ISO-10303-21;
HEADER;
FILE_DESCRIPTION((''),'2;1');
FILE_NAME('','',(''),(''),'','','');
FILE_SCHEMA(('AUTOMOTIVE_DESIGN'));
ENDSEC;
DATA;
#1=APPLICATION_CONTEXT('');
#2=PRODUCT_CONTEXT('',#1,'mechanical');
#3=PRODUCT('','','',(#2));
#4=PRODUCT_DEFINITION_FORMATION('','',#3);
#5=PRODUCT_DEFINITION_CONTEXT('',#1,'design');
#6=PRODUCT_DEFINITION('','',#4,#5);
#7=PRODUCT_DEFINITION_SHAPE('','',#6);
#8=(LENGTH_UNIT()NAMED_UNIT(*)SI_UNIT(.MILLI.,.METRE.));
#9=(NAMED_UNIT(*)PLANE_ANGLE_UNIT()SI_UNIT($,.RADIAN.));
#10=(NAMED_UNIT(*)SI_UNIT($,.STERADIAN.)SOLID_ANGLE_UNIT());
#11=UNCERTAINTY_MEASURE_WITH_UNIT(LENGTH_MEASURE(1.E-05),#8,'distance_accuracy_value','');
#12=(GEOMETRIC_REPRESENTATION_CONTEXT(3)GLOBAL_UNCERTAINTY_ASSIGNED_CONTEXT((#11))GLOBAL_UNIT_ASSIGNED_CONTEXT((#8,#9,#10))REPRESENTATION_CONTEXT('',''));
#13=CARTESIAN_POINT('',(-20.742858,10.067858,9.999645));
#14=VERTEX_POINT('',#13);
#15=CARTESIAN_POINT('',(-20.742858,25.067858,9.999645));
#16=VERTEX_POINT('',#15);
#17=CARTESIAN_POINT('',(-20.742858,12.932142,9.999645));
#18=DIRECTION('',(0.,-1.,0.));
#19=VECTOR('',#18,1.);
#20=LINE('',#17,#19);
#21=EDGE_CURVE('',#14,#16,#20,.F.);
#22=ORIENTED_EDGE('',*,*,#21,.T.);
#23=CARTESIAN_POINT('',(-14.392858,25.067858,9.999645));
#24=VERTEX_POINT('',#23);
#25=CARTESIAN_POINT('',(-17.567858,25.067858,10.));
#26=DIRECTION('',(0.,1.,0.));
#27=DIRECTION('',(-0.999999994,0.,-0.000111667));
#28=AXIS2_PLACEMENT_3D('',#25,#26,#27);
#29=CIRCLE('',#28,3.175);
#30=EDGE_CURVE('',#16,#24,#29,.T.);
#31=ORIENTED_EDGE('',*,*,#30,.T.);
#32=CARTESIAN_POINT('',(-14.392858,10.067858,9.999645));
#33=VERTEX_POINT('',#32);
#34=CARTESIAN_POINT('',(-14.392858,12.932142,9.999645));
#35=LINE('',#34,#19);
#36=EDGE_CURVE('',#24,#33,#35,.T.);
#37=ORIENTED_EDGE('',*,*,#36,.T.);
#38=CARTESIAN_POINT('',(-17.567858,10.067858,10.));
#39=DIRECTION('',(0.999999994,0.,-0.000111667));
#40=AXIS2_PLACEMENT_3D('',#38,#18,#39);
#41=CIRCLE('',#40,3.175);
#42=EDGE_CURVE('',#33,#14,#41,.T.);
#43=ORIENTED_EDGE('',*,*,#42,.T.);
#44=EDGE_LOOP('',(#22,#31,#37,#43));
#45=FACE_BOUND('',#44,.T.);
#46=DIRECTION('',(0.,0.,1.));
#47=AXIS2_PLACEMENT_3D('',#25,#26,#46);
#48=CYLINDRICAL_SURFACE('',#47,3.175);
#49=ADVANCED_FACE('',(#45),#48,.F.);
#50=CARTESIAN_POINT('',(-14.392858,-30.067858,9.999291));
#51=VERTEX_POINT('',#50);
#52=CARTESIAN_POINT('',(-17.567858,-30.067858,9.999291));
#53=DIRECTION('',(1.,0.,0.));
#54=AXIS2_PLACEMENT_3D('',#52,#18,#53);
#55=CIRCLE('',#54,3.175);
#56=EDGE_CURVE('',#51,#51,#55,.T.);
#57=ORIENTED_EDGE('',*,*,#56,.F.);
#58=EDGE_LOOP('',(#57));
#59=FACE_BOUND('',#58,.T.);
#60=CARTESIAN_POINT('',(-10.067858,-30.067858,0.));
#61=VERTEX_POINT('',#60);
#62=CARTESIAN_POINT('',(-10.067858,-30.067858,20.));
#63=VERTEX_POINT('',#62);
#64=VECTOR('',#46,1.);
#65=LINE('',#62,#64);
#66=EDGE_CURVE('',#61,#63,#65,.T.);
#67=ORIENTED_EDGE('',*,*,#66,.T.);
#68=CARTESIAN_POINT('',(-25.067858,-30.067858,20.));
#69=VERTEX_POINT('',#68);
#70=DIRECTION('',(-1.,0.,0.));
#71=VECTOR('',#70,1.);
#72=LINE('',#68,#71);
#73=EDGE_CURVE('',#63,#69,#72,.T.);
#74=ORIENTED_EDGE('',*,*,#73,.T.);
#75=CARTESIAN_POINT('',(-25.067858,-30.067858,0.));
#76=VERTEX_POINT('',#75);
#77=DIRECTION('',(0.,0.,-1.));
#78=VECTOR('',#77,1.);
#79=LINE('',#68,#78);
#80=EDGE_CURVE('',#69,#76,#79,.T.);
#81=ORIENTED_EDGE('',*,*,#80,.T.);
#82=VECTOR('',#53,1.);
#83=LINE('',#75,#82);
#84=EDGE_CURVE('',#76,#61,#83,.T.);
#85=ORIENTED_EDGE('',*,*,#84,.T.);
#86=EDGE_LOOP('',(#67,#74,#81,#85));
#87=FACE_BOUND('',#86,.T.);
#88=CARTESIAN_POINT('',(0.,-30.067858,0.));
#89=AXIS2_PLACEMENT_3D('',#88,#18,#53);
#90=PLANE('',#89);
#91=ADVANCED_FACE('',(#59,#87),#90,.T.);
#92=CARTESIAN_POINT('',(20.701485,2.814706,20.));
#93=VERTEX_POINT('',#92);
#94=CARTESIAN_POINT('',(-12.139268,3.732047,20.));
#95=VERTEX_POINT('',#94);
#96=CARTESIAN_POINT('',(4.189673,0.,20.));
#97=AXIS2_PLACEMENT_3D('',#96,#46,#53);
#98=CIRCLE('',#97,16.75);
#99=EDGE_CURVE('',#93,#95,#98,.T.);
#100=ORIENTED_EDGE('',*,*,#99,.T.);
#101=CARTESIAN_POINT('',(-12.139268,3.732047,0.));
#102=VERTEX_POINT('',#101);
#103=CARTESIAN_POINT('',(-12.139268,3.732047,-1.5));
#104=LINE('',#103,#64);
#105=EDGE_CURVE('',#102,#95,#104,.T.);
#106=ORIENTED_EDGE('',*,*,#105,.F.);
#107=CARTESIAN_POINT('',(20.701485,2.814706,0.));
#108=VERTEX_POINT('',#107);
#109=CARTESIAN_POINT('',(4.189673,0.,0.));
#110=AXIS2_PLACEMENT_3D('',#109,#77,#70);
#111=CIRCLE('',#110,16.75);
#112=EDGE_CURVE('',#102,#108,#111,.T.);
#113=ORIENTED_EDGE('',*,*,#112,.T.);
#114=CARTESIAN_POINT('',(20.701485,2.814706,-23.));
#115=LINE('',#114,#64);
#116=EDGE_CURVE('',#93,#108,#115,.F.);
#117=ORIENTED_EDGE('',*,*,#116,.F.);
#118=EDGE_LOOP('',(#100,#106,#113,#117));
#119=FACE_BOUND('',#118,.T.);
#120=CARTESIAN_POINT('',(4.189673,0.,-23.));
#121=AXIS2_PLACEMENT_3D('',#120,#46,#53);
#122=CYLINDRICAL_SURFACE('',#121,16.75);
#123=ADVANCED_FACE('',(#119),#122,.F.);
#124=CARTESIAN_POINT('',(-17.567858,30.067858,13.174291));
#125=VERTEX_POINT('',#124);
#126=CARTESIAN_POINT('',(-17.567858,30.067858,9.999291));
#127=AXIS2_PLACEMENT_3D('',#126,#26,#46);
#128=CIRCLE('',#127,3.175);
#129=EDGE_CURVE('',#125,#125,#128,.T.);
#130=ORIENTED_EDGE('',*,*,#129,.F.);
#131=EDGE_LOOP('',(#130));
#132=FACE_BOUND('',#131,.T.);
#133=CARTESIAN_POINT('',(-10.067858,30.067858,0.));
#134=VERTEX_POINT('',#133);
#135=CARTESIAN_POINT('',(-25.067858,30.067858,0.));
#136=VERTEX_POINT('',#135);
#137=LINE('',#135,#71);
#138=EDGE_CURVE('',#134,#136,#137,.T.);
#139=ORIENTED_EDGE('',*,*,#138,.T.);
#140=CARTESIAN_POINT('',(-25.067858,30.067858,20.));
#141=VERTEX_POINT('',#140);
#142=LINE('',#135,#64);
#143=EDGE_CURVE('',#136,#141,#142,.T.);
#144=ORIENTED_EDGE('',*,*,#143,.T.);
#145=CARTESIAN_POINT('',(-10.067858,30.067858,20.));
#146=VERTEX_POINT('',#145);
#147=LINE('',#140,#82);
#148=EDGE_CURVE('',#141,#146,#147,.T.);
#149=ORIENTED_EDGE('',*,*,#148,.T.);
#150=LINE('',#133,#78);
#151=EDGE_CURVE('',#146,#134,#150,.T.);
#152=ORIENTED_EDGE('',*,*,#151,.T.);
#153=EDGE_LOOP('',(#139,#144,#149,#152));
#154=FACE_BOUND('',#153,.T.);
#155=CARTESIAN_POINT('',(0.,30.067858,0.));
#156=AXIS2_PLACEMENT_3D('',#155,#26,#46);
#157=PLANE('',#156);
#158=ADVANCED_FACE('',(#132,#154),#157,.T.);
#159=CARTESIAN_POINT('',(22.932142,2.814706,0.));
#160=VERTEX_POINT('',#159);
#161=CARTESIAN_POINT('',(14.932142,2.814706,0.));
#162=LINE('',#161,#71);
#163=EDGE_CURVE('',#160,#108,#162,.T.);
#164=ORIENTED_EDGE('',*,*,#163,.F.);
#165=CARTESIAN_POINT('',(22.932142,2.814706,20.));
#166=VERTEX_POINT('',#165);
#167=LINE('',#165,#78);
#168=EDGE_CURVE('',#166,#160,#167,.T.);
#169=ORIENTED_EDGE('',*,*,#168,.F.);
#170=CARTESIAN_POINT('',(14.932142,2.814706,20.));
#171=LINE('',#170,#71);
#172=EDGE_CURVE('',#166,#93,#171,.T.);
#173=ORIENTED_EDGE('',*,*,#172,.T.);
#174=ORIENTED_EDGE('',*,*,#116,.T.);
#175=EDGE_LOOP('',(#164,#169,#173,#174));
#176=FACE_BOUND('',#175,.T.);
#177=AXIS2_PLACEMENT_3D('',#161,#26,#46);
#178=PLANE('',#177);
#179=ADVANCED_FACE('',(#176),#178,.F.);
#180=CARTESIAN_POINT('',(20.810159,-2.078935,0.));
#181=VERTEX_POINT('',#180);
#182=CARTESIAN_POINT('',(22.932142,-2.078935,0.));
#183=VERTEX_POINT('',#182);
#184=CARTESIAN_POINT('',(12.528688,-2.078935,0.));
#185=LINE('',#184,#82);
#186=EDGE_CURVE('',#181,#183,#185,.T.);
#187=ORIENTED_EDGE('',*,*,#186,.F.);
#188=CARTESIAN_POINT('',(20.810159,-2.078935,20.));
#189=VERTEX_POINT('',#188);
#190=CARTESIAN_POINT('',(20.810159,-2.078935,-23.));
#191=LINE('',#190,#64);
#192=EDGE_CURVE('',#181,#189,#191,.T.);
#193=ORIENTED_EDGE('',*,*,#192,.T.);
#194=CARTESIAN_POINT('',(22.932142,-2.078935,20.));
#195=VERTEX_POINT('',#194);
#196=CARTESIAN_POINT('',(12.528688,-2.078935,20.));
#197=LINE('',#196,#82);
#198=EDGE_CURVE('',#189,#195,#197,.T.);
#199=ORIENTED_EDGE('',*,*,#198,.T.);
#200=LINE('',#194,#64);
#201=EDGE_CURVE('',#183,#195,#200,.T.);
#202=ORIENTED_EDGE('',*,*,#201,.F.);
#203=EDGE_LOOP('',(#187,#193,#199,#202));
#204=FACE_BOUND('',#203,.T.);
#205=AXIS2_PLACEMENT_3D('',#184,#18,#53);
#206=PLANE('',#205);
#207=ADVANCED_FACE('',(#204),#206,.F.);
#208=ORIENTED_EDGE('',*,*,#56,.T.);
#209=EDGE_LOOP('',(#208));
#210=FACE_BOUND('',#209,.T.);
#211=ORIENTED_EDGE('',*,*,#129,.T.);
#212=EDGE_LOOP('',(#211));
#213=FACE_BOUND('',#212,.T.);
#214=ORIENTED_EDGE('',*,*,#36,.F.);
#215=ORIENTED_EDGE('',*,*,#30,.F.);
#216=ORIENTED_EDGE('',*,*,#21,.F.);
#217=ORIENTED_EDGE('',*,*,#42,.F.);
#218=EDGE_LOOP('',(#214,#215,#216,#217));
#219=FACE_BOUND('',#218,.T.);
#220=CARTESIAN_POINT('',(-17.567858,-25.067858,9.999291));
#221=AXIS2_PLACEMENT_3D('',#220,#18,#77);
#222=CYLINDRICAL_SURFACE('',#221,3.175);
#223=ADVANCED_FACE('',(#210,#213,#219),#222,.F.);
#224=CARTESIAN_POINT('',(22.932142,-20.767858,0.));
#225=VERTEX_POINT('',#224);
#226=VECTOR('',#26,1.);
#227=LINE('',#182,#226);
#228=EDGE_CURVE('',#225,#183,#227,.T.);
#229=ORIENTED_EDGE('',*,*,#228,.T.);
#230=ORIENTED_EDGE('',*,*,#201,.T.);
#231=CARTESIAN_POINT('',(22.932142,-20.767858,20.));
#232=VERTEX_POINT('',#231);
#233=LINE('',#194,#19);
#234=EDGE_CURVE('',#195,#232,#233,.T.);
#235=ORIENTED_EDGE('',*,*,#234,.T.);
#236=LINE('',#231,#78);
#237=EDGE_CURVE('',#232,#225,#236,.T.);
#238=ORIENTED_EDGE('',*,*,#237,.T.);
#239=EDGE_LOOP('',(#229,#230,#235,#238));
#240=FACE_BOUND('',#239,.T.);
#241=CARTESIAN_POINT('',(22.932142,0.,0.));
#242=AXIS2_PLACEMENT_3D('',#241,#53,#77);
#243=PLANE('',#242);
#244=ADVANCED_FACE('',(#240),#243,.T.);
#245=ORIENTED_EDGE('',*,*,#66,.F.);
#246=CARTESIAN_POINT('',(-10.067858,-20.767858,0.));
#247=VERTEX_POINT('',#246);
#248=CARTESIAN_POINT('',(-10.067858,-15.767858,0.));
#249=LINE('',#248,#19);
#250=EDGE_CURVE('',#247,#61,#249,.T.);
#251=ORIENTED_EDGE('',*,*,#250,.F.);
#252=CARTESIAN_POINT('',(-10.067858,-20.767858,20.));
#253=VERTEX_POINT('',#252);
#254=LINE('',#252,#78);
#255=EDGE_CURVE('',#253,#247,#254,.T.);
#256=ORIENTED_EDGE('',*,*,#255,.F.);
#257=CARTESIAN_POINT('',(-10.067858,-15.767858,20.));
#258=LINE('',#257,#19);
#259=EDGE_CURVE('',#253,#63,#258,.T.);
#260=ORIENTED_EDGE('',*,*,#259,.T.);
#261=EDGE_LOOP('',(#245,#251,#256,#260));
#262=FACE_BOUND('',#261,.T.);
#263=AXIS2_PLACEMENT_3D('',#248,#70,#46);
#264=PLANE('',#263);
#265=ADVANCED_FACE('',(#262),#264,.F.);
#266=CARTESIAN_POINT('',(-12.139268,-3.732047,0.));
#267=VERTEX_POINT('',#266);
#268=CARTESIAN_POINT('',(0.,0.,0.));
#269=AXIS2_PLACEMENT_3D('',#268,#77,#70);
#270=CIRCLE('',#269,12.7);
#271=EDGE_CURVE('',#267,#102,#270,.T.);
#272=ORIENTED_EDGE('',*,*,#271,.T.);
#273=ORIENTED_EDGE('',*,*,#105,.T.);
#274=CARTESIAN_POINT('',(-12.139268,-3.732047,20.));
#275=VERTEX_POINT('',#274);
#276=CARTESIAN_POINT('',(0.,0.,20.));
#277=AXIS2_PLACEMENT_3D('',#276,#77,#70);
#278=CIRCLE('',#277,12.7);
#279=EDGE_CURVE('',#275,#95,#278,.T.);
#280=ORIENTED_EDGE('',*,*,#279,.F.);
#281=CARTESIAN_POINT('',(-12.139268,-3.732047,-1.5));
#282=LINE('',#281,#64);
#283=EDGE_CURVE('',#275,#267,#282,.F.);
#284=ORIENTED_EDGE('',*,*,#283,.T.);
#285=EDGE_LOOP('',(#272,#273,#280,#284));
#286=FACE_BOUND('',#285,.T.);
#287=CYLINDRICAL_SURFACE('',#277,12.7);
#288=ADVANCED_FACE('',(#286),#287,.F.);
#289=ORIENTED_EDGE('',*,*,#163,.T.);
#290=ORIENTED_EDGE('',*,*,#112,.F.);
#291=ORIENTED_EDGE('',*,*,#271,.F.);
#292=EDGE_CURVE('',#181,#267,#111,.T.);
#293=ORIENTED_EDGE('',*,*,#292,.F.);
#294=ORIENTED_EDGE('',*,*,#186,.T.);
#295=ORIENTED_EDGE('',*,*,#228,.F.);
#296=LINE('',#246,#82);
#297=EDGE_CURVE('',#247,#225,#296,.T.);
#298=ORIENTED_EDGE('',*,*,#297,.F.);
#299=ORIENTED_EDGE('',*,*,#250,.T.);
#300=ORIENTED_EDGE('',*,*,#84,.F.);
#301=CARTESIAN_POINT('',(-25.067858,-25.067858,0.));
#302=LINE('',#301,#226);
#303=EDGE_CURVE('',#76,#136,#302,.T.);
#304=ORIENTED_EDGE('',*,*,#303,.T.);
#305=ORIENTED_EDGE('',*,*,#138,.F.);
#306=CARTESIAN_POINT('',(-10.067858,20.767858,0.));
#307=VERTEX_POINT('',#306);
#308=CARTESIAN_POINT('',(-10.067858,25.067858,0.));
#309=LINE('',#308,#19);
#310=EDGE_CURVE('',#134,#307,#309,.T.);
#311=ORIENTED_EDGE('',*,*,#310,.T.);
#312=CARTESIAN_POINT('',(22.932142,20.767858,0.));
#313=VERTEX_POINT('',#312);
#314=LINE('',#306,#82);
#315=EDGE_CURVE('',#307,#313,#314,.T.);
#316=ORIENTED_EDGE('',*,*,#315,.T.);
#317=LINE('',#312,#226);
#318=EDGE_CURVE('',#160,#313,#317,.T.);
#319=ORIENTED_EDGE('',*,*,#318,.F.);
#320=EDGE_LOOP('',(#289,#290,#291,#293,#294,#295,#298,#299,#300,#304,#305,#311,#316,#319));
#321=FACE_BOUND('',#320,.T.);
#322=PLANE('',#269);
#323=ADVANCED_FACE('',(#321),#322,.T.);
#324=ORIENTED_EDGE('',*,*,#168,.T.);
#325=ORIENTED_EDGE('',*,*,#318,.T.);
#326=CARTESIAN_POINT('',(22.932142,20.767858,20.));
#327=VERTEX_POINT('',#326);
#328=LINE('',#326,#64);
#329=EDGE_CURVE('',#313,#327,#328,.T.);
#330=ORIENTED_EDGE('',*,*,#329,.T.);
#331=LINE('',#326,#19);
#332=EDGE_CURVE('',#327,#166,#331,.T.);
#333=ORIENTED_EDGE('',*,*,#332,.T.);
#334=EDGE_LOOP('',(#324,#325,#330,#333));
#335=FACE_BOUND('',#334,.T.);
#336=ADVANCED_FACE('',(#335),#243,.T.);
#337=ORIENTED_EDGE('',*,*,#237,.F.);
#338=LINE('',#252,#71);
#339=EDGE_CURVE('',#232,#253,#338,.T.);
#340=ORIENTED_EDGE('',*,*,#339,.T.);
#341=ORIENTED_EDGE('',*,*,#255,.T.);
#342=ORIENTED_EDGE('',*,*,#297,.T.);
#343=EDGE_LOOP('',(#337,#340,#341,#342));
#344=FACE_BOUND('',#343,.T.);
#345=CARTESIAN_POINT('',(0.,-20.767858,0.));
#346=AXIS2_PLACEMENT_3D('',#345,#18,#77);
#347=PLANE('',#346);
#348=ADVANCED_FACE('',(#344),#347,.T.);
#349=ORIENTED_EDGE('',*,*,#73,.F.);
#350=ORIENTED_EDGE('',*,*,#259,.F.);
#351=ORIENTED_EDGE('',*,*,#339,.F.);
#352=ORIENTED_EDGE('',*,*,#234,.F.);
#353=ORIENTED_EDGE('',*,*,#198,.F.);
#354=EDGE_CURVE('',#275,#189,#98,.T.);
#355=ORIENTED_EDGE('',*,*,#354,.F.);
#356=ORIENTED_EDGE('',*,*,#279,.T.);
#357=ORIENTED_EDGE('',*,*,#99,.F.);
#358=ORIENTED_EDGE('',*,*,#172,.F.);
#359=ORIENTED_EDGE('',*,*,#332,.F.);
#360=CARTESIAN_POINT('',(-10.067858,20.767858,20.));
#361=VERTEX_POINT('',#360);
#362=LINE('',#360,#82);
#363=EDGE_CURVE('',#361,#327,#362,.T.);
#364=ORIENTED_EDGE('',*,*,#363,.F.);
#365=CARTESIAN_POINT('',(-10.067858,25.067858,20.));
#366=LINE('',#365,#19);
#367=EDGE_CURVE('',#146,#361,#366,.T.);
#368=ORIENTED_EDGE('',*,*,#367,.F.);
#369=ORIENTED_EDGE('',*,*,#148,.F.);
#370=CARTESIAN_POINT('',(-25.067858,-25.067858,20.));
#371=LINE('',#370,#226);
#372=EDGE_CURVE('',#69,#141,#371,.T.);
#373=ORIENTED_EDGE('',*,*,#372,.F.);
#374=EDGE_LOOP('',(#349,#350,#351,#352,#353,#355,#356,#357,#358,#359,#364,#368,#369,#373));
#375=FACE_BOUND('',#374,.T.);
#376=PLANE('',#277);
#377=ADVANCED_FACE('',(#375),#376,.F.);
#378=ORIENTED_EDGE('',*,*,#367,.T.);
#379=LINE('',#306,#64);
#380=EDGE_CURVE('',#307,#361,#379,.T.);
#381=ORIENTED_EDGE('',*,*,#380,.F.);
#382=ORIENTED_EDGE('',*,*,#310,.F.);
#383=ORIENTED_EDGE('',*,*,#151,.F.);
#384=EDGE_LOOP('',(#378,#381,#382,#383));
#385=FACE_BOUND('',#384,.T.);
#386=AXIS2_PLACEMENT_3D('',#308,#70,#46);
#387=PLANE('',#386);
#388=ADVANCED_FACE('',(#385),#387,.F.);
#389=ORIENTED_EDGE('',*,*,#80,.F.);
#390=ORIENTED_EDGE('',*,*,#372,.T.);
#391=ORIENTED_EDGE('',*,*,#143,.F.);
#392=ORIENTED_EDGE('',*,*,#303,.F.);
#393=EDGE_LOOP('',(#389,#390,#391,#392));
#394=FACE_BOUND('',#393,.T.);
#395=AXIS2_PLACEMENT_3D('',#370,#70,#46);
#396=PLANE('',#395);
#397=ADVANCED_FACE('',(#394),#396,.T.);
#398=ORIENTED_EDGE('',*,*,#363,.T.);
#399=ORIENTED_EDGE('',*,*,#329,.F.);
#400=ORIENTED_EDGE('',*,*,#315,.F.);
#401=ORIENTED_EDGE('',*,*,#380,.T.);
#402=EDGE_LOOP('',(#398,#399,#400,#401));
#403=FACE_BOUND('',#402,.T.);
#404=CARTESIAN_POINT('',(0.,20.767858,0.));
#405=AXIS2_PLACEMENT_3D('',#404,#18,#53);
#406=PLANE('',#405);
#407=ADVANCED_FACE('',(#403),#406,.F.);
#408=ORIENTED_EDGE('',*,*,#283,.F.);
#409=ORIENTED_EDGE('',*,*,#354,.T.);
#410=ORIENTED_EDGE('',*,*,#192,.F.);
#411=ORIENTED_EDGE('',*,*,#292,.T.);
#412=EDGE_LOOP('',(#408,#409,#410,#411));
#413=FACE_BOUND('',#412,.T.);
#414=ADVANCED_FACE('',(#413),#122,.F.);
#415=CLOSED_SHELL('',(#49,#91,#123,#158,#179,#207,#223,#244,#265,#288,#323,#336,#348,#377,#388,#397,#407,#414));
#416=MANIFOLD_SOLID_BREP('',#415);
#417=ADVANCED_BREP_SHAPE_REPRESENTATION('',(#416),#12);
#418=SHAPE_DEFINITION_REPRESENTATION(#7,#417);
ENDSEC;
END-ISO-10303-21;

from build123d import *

# Parameters (mm, degrees)
CROQUIS1_W              = 40
CROQUIS1_H              = 50.135716494
SALIENTE_EXTRUIR1_DEPTH = 20
CROQUIS2_W              = 25
CROQUIS2_H              = 9.3
CORTAR_EXTRUIR1_DEPTH   = 41.703747176
CROQUIS3_W              = 25
CROQUIS3_H              = 9.3
CORTAR_EXTRUIR2_DEPTH   = 41.703747176
CORTAR_EXTRUIR3_DEPTH   = 41.703747176
CROQUIS5_W              = 12.7
CROQUIS5_H              = 20
TALADRO1_D              = 6.35
TALADRO1_DEPTH          = 15
TALADRO2_D              = 6.35
TALADRO2_DEPTH          = 15
CROQUIS11_W             = 20
CROQUIS11_H             = 12.953152015
CROQUIS11_H_2           = 13.688922843
SALIENTE_EXTRUIR2_DEPTH = 5
CROQUIS12_W             = 15
CROQUIS12_H             = 20
SALIENTE_EXTRUIR3_DEPTH = 5
CORTAR_EXTRUIR4_START   = -76
CROQUIS13_R             = 3.175
CORTAR_EXTRUIR4_DEPTH   = 76
CROQUIS14_W             = 15
CROQUIS14_H             = 20
SALIENTE_EXTRUIR4_DEPTH = 5
CROQUIS15_R             = 3.175
CORTAR_EXTRUIR5_DEPTH   = 72
CROQUIS16_W             = 30
CROQUIS16_H             = 20
SALIENTE_EXTRUIR5_DEPTH = 5
CROQUIS17_W             = 30
CROQUIS17_H             = 20
SALIENTE_EXTRUIR6_DEPTH = 5
CROQUIS20_W             = 20
CROQUIS20_H             = 17.953152015
CROQUIS20_H_2           = 18.688922843
SALIENTE_EXTRUIR7_DEPTH = 3
CROQUIS21_R             = 16.75
CORTAR_EXTRUIR8_DEPTH   = 43


with BuildPart() as part:
    # Croquis1 → Saliente-Extruir1 (new body)
    with BuildSketch(Plane(origin=(0, 0, 0), x_dir=(-1, 0, 0), z_dir=(0, 0, -1))):
        with Locations((5.067858247, 0)):
            Rectangle(CROQUIS1_W, CROQUIS1_H)
    extrude(amount=-SALIENTE_EXTRUIR1_DEPTH)

    # Croquis2 → Cortar-Extruir1 (cut, through all)
    with BuildSketch(Plane.XY.offset(20)):
        with Locations((2.432141753, -20.417858247)):
            Rectangle(CROQUIS2_W, CROQUIS2_H)
    extrude(amount=-CORTAR_EXTRUIR1_DEPTH, mode=Mode.SUBTRACT)

    # Croquis3 → Cortar-Extruir2 (cut, through all)
    with BuildSketch(Plane.XY.offset(20)):
        with Locations((2.432141753, 20.417858247)):
            Rectangle(CROQUIS3_W, CROQUIS3_H)
    extrude(amount=-CORTAR_EXTRUIR2_DEPTH, mode=Mode.SUBTRACT)

    # Croquis4 → Cortar-Extruir3 (cut, through all)
    with BuildSketch(Plane.XY.offset(20)):
        with BuildLine():
            Line((14.932141753, 2.814706232), (12.384160401, 2.814706232))
            ThreePointArc((12.384160401, 2.814706232), (12.694464867, 0.374915654), (12.528688183, -2.078935404))
            Line((12.528688183, -2.078935404), (14.932141753, -2.078935404))
            Line((14.932141753, -2.078935404), (14.932141753, 2.814706232))
        make_face()
    extrude(amount=-CORTAR_EXTRUIR3_DEPTH, mode=Mode.SUBTRACT)

    # Croquis5 → Cortar-Revolución1 (revolve, cut)
    with BuildSketch(Plane.XZ):
        with Locations((6.35, 10)):
            Rectangle(CROQUIS5_W, CROQUIS5_H)
    revolve(axis=Axis((0, 0, 20), (0, 0, -1)), mode=Mode.SUBTRACT)

    # Taladro1
    with Locations(Plane(origin=(0, -25.067858247, 0), x_dir=(-1, 0, 0), z_dir=(0, -1, 0))):
        with Locations((17.567858247, -9.999290914)):
            Hole(TALADRO1_D / 2, depth=TALADRO1_DEPTH)

    # Taladro2
    with Locations(Plane(origin=(0, 25.067858247, 0), x_dir=(1, 0, 0), z_dir=(0, 1, 0))):
        with Locations((-17.567858247, -10)):
            Hole(TALADRO2_D / 2, depth=TALADRO2_DEPTH)

    # Croquis11 → Saliente-Extruir2 (add)
    with BuildSketch(Plane(origin=(14.932141753, 0, 0), x_dir=(0, 0, -1), z_dir=(1, 0, 0))):
        with Locations((-10, 9.29128224)):
            Rectangle(CROQUIS11_W, CROQUIS11_H)
        with Locations((-10, -8.923396826)):
            Rectangle(CROQUIS11_W, CROQUIS11_H_2)
    extrude(amount=SALIENTE_EXTRUIR2_DEPTH)

    # Croquis12 → Saliente-Extruir3 (add)
    with BuildSketch(Plane(origin=(0, 25.067858247, 0), x_dir=(1, 0, 0), z_dir=(0, 1, 0))):
        with Locations((-17.567858247, -10)):
            Rectangle(CROQUIS12_W, CROQUIS12_H)
    extrude(amount=SALIENTE_EXTRUIR3_DEPTH)

    # Croquis13 → Cortar-Extruir4 (cut)
    with BuildSketch(Plane.XZ.offset(25.067858247).offset(CORTAR_EXTRUIR4_START)):
        with Locations(Location((-17.567858247, 9.999290914, 0), (0, 0, 270))):
            Circle(CROQUIS13_R)
    extrude(amount=CORTAR_EXTRUIR4_DEPTH, mode=Mode.SUBTRACT)

    # Croquis14 → Saliente-Extruir4 (add)
    with BuildSketch(Plane.XZ.offset(25.067858247)):
        with Locations((-17.567858247, 10)):
            Rectangle(CROQUIS14_W, CROQUIS14_H)
    extrude(amount=SALIENTE_EXTRUIR4_DEPTH)

    # Croquis15 → Cortar-Extruir5 (cut)
    with BuildSketch(Plane(origin=(0, 30.067858247, 0), x_dir=(1, 0, 0), z_dir=(0, 1, 0))):
        with Locations((-17.567858247, -9.999290914)):
            Circle(CROQUIS15_R)
    extrude(amount=-CORTAR_EXTRUIR5_DEPTH, mode=Mode.SUBTRACT)

    # Croquis16 → Saliente-Extruir5 (add)
    with BuildSketch(Plane(origin=(0, 15.767858247, 0), x_dir=(1, 0, 0), z_dir=(0, 1, 0))):
        with Locations((4.932141753, -10)):
            Rectangle(CROQUIS16_W, CROQUIS16_H)
    extrude(amount=SALIENTE_EXTRUIR5_DEPTH)

    # Croquis17 → Saliente-Extruir6 (add)
    with BuildSketch(Plane.XZ.offset(15.767858247)):
        with Locations((4.932141753, 10)):
            Rectangle(CROQUIS17_W, CROQUIS17_H)
    extrude(amount=SALIENTE_EXTRUIR6_DEPTH)

    # Croquis20 → Saliente-Extruir7 (add)
    with BuildSketch(Plane(origin=(19.932141753, 0, 0), x_dir=(0, 0, -1), z_dir=(1, 0, 0))):
        with Locations((-10, 11.79128224)):
            Rectangle(CROQUIS20_W, CROQUIS20_H)
        with Locations((-10, -11.423396826)):
            Rectangle(CROQUIS20_W, CROQUIS20_H_2)
    extrude(amount=SALIENTE_EXTRUIR7_DEPTH)

    # Croquis21 → Cortar-Extruir8 (cut)
    with BuildSketch(Plane.XY.offset(20)):
        with Locations((4.18967344, 0)):
            Circle(CROQUIS21_R)
    extrude(amount=-CORTAR_EXTRUIR8_DEPTH, mode=Mode.SUBTRACT)


solid = part.part
